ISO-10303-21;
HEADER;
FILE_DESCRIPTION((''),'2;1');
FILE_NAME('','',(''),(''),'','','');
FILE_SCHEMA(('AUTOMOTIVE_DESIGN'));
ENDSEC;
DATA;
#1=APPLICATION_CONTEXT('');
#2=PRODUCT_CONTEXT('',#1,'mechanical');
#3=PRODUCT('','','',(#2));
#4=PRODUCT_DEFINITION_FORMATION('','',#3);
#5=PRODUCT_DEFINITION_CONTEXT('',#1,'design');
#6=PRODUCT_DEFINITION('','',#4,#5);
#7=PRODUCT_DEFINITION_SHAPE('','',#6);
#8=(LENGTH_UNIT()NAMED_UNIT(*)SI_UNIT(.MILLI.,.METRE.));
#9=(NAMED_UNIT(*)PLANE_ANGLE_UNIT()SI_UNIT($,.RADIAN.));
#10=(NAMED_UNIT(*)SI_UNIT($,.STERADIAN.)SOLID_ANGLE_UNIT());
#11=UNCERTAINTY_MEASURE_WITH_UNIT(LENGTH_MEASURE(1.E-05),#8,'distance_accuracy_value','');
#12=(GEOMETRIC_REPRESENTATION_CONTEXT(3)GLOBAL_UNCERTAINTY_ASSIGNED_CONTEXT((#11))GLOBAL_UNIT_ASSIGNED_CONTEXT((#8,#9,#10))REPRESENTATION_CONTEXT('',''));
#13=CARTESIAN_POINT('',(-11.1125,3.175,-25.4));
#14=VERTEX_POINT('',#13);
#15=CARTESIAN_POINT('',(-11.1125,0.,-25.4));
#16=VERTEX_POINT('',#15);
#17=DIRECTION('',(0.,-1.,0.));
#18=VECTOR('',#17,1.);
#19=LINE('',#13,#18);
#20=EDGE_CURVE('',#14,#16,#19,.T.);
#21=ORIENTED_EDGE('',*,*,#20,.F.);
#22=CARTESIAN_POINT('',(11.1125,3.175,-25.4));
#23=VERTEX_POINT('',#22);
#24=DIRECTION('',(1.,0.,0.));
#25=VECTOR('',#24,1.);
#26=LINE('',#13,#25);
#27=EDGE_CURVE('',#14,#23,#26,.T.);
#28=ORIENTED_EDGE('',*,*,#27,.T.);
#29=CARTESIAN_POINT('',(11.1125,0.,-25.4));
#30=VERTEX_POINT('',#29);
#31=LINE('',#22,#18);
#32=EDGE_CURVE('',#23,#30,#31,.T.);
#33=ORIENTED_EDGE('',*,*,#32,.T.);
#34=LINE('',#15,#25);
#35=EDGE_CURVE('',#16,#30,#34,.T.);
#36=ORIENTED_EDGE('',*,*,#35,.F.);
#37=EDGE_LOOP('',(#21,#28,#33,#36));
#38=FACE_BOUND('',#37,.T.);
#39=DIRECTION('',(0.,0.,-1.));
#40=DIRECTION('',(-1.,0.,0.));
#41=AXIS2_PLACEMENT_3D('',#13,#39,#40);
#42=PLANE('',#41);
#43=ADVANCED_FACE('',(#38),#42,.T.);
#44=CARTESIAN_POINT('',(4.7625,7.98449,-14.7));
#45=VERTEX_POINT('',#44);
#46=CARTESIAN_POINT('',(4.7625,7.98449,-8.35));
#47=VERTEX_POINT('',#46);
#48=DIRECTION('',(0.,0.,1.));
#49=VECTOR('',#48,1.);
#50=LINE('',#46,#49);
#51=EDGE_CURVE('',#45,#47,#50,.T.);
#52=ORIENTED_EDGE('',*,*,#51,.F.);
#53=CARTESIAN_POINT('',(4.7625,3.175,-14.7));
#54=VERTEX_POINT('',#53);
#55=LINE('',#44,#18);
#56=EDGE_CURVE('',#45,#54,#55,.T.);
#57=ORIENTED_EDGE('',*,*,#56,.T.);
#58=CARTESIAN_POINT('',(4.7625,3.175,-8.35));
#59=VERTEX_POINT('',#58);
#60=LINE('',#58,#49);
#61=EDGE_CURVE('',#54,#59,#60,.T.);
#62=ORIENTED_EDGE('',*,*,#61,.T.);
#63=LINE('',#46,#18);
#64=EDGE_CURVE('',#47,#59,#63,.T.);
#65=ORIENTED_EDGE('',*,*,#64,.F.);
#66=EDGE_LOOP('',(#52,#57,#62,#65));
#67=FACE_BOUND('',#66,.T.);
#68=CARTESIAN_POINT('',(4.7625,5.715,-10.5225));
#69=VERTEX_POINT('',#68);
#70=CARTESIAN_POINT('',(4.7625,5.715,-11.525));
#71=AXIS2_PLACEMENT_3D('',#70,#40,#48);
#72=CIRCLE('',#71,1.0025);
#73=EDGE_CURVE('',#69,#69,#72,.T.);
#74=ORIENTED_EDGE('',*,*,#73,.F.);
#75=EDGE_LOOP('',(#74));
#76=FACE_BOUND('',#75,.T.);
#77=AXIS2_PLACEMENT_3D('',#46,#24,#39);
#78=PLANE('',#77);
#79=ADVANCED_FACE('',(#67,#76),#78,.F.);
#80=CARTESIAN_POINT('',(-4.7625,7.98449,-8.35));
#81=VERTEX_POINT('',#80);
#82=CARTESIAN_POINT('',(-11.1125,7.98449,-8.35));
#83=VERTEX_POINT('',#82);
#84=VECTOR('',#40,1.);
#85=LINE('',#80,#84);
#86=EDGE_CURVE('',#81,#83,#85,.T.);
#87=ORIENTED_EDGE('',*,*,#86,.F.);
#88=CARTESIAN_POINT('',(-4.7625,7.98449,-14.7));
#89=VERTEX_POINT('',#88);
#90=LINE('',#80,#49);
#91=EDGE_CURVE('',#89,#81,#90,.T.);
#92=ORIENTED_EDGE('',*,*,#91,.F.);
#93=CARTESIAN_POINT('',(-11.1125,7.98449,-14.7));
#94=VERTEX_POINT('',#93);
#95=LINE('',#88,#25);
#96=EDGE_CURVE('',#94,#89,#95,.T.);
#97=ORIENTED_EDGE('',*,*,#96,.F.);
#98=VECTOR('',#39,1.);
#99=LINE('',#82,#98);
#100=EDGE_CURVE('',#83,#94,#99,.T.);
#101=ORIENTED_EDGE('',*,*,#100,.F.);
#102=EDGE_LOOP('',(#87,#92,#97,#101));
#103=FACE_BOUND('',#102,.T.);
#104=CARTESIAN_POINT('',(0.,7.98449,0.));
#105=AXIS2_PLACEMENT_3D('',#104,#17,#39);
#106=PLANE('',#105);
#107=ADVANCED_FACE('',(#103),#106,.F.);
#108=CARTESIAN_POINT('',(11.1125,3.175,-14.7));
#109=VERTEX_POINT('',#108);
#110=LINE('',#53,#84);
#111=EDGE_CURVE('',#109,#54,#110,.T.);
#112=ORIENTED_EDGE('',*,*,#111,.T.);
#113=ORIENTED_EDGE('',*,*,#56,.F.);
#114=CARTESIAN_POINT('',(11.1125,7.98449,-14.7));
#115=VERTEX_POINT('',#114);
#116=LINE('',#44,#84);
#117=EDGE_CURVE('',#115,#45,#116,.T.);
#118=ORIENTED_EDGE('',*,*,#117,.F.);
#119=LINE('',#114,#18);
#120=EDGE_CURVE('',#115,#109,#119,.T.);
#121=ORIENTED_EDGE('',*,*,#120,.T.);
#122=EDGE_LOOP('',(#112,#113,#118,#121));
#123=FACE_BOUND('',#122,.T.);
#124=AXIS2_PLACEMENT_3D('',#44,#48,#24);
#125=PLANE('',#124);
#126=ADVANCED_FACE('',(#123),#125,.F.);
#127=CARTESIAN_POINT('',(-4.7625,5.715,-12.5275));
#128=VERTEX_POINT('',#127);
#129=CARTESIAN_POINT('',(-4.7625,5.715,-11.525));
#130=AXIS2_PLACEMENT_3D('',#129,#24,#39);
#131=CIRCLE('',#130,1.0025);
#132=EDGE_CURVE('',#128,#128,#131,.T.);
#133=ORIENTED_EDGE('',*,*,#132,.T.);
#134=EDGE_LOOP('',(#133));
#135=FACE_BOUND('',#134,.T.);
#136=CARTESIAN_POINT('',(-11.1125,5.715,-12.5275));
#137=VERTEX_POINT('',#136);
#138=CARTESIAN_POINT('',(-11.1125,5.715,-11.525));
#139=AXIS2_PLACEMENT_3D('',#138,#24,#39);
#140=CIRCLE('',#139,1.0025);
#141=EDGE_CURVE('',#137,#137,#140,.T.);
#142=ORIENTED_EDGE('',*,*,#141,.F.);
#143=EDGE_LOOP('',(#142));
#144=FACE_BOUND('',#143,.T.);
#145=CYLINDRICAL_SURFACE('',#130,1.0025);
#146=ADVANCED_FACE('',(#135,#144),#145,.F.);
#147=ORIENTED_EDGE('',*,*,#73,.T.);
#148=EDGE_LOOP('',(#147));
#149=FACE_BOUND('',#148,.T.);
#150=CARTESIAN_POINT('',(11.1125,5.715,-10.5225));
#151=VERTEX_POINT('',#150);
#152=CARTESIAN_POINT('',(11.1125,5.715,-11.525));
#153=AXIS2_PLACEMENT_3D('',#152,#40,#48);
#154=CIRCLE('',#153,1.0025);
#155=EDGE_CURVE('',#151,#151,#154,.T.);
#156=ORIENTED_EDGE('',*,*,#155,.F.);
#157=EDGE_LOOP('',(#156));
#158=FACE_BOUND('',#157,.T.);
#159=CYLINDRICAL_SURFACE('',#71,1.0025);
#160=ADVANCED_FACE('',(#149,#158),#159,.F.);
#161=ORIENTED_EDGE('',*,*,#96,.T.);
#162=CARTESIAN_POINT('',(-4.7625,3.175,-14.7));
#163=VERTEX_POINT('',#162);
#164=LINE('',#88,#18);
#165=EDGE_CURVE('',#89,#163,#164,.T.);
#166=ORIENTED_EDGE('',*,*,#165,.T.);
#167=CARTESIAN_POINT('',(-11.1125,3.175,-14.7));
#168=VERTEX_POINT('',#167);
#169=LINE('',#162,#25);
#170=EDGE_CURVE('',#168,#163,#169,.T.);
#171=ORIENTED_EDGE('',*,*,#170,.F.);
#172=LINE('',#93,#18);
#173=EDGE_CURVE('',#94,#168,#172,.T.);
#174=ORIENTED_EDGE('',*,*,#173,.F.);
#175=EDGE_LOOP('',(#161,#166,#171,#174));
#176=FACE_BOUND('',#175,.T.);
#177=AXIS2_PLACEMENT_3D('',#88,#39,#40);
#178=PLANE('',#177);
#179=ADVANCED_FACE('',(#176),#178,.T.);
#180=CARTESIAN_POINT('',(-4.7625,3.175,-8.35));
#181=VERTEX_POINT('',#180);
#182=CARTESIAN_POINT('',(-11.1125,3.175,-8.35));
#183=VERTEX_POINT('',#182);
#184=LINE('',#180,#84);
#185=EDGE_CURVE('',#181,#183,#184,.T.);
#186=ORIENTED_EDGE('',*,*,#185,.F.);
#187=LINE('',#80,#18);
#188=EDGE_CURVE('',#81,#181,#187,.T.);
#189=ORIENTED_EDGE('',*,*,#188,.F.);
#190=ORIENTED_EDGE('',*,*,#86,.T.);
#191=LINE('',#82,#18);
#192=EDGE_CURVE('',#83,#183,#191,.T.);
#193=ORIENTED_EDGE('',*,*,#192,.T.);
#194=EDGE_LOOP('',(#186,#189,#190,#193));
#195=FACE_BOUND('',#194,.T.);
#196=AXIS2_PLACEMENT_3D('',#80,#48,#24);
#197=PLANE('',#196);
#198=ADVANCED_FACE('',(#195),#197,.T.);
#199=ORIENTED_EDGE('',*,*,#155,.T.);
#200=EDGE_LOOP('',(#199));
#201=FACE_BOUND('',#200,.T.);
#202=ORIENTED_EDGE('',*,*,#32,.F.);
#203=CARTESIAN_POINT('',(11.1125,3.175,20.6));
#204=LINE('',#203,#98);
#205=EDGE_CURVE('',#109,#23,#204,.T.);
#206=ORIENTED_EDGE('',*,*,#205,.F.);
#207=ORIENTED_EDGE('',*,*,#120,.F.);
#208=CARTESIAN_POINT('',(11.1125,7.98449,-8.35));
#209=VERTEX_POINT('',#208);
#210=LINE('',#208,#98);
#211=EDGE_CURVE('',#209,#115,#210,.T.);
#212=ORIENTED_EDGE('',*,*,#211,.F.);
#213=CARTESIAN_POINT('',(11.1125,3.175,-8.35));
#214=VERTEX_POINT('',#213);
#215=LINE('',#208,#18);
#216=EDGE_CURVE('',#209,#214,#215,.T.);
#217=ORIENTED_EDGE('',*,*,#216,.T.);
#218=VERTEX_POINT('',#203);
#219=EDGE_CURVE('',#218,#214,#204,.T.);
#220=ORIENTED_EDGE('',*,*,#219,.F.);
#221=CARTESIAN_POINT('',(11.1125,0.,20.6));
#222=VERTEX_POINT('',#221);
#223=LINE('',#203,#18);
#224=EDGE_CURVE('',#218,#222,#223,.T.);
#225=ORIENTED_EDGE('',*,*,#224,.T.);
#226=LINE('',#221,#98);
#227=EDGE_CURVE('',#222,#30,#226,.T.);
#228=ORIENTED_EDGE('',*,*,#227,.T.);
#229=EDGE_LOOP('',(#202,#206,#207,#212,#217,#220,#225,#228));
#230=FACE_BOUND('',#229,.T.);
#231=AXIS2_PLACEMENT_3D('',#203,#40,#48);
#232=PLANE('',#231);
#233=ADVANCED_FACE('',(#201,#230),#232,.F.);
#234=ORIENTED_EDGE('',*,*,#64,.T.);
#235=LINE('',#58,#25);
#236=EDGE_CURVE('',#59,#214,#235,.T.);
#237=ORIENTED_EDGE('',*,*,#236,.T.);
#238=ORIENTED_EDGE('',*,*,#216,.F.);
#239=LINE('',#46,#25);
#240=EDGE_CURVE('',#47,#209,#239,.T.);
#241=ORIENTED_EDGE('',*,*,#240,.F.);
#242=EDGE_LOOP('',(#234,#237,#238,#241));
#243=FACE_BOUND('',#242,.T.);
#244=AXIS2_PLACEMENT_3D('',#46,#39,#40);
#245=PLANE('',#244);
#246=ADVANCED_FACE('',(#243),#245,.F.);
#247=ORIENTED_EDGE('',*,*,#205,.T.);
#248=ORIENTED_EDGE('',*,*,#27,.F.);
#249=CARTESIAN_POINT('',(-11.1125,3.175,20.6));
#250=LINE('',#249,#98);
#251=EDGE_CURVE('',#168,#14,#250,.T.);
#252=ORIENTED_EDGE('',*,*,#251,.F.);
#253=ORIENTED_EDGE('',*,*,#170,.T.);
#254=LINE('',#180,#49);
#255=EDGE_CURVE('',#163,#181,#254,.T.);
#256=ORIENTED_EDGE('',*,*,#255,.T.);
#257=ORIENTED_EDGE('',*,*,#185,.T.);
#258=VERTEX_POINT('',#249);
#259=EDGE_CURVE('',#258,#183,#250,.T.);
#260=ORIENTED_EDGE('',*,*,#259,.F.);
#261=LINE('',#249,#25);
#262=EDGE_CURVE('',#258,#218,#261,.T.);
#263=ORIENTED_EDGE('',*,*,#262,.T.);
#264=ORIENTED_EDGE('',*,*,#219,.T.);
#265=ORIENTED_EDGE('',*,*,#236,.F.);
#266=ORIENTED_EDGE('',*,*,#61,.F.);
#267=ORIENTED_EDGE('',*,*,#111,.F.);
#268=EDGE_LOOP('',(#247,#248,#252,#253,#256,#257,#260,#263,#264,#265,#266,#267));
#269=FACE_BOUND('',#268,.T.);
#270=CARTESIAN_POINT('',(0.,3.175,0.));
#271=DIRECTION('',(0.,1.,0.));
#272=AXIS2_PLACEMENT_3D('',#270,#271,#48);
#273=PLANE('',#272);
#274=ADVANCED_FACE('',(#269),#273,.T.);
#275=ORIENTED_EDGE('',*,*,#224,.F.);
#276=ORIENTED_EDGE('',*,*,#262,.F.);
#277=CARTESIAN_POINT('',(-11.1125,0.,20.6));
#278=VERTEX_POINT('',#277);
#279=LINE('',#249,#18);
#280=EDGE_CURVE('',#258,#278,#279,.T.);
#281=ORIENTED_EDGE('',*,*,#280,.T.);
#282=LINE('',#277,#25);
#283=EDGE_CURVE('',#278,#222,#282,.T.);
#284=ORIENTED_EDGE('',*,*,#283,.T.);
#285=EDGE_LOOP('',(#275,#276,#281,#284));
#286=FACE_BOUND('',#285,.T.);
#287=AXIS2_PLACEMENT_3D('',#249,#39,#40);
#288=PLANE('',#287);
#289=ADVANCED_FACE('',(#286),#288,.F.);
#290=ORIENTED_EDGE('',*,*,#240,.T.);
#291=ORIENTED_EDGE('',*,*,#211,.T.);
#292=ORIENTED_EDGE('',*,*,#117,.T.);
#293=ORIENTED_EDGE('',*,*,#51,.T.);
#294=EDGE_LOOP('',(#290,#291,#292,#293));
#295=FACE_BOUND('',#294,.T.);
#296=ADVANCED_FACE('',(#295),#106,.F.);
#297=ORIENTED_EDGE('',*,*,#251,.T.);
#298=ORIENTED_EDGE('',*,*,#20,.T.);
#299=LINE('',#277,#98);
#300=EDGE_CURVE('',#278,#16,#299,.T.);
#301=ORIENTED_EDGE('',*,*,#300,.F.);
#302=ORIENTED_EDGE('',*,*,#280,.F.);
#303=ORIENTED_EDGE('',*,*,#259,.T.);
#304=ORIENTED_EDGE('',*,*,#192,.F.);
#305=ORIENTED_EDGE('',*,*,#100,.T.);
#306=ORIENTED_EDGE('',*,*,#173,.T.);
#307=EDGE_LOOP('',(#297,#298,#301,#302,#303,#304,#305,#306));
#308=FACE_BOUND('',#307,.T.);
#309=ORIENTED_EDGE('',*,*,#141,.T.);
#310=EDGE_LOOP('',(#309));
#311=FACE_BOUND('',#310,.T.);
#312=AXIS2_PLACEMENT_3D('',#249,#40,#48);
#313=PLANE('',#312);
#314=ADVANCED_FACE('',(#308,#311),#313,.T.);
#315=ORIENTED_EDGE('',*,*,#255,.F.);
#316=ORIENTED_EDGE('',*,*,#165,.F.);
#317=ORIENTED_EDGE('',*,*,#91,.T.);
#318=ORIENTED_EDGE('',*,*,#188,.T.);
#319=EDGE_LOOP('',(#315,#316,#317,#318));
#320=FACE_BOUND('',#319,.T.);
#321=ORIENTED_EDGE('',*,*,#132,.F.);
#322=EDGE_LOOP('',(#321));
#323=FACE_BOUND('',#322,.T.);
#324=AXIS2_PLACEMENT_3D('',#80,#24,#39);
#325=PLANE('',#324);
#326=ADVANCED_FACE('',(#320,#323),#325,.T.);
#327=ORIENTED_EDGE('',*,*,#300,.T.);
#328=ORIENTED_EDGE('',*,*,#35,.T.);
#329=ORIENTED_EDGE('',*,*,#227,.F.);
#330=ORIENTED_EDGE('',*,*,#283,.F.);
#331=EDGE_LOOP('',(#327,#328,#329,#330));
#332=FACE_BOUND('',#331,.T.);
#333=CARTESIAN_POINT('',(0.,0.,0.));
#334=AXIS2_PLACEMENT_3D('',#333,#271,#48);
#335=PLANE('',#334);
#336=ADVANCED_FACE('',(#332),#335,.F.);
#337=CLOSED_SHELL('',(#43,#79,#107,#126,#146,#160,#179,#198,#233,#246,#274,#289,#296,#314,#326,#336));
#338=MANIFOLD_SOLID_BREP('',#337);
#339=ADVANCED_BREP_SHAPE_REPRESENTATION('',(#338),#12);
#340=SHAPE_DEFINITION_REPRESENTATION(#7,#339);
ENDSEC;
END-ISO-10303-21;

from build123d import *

# Parameters (mm, degrees)
SKETCH1_W             = 22.225
SKETCH1_H             = 46
BOSS_EXTRUDE1_DEPTH   = 3.175
SKETCH2_W             = 6.35
SKETCH2_H             = 6.35
BOSS_EXTRUDE2_DEPTH   = 4.80949
F_1_0MM_DOWEL_HOLE1_D = 2.005


with BuildPart() as part:
    # Sketch1 → Boss-Extrude1 (new body)
    with BuildSketch(Plane(origin=(0, 0, 0), x_dir=(1, 0, 0), z_dir=(0, 1, 0))):
        with Locations((0, 2.4)):
            Rectangle(SKETCH1_W, SKETCH1_H)
    extrude(amount=BOSS_EXTRUDE1_DEPTH)

    # Sketch2 → Boss-Extrude2 (add)
    with BuildSketch(Plane(origin=(0, 3.175, 0), x_dir=(1, 0, 0), z_dir=(0, 1, 0))):
        with Locations((7.9375, 11.525)):
            Rectangle(SKETCH2_W, SKETCH2_H)
    boss_extrude2 = extrude(amount=BOSS_EXTRUDE2_DEPTH)

    # Ø1.0mm Dowel Hole1 (through all)
    with Locations(Plane.ZY.offset(-4.7625)):
        with Locations((-11.525, 5.715)):
            f_1_0mm_dowel_hole1 = Hole(F_1_0MM_DOWEL_HOLE1_D / 2)

    # Mirror1: Boss-Extrude2, Ø1.0mm Dowel Hole1 across plane
    add(boss_extrude2.mirror(Plane.ZY))
    add(f_1_0mm_dowel_hole1.mirror(Plane.ZY), mode=Mode.SUBTRACT)


solid = part.part
